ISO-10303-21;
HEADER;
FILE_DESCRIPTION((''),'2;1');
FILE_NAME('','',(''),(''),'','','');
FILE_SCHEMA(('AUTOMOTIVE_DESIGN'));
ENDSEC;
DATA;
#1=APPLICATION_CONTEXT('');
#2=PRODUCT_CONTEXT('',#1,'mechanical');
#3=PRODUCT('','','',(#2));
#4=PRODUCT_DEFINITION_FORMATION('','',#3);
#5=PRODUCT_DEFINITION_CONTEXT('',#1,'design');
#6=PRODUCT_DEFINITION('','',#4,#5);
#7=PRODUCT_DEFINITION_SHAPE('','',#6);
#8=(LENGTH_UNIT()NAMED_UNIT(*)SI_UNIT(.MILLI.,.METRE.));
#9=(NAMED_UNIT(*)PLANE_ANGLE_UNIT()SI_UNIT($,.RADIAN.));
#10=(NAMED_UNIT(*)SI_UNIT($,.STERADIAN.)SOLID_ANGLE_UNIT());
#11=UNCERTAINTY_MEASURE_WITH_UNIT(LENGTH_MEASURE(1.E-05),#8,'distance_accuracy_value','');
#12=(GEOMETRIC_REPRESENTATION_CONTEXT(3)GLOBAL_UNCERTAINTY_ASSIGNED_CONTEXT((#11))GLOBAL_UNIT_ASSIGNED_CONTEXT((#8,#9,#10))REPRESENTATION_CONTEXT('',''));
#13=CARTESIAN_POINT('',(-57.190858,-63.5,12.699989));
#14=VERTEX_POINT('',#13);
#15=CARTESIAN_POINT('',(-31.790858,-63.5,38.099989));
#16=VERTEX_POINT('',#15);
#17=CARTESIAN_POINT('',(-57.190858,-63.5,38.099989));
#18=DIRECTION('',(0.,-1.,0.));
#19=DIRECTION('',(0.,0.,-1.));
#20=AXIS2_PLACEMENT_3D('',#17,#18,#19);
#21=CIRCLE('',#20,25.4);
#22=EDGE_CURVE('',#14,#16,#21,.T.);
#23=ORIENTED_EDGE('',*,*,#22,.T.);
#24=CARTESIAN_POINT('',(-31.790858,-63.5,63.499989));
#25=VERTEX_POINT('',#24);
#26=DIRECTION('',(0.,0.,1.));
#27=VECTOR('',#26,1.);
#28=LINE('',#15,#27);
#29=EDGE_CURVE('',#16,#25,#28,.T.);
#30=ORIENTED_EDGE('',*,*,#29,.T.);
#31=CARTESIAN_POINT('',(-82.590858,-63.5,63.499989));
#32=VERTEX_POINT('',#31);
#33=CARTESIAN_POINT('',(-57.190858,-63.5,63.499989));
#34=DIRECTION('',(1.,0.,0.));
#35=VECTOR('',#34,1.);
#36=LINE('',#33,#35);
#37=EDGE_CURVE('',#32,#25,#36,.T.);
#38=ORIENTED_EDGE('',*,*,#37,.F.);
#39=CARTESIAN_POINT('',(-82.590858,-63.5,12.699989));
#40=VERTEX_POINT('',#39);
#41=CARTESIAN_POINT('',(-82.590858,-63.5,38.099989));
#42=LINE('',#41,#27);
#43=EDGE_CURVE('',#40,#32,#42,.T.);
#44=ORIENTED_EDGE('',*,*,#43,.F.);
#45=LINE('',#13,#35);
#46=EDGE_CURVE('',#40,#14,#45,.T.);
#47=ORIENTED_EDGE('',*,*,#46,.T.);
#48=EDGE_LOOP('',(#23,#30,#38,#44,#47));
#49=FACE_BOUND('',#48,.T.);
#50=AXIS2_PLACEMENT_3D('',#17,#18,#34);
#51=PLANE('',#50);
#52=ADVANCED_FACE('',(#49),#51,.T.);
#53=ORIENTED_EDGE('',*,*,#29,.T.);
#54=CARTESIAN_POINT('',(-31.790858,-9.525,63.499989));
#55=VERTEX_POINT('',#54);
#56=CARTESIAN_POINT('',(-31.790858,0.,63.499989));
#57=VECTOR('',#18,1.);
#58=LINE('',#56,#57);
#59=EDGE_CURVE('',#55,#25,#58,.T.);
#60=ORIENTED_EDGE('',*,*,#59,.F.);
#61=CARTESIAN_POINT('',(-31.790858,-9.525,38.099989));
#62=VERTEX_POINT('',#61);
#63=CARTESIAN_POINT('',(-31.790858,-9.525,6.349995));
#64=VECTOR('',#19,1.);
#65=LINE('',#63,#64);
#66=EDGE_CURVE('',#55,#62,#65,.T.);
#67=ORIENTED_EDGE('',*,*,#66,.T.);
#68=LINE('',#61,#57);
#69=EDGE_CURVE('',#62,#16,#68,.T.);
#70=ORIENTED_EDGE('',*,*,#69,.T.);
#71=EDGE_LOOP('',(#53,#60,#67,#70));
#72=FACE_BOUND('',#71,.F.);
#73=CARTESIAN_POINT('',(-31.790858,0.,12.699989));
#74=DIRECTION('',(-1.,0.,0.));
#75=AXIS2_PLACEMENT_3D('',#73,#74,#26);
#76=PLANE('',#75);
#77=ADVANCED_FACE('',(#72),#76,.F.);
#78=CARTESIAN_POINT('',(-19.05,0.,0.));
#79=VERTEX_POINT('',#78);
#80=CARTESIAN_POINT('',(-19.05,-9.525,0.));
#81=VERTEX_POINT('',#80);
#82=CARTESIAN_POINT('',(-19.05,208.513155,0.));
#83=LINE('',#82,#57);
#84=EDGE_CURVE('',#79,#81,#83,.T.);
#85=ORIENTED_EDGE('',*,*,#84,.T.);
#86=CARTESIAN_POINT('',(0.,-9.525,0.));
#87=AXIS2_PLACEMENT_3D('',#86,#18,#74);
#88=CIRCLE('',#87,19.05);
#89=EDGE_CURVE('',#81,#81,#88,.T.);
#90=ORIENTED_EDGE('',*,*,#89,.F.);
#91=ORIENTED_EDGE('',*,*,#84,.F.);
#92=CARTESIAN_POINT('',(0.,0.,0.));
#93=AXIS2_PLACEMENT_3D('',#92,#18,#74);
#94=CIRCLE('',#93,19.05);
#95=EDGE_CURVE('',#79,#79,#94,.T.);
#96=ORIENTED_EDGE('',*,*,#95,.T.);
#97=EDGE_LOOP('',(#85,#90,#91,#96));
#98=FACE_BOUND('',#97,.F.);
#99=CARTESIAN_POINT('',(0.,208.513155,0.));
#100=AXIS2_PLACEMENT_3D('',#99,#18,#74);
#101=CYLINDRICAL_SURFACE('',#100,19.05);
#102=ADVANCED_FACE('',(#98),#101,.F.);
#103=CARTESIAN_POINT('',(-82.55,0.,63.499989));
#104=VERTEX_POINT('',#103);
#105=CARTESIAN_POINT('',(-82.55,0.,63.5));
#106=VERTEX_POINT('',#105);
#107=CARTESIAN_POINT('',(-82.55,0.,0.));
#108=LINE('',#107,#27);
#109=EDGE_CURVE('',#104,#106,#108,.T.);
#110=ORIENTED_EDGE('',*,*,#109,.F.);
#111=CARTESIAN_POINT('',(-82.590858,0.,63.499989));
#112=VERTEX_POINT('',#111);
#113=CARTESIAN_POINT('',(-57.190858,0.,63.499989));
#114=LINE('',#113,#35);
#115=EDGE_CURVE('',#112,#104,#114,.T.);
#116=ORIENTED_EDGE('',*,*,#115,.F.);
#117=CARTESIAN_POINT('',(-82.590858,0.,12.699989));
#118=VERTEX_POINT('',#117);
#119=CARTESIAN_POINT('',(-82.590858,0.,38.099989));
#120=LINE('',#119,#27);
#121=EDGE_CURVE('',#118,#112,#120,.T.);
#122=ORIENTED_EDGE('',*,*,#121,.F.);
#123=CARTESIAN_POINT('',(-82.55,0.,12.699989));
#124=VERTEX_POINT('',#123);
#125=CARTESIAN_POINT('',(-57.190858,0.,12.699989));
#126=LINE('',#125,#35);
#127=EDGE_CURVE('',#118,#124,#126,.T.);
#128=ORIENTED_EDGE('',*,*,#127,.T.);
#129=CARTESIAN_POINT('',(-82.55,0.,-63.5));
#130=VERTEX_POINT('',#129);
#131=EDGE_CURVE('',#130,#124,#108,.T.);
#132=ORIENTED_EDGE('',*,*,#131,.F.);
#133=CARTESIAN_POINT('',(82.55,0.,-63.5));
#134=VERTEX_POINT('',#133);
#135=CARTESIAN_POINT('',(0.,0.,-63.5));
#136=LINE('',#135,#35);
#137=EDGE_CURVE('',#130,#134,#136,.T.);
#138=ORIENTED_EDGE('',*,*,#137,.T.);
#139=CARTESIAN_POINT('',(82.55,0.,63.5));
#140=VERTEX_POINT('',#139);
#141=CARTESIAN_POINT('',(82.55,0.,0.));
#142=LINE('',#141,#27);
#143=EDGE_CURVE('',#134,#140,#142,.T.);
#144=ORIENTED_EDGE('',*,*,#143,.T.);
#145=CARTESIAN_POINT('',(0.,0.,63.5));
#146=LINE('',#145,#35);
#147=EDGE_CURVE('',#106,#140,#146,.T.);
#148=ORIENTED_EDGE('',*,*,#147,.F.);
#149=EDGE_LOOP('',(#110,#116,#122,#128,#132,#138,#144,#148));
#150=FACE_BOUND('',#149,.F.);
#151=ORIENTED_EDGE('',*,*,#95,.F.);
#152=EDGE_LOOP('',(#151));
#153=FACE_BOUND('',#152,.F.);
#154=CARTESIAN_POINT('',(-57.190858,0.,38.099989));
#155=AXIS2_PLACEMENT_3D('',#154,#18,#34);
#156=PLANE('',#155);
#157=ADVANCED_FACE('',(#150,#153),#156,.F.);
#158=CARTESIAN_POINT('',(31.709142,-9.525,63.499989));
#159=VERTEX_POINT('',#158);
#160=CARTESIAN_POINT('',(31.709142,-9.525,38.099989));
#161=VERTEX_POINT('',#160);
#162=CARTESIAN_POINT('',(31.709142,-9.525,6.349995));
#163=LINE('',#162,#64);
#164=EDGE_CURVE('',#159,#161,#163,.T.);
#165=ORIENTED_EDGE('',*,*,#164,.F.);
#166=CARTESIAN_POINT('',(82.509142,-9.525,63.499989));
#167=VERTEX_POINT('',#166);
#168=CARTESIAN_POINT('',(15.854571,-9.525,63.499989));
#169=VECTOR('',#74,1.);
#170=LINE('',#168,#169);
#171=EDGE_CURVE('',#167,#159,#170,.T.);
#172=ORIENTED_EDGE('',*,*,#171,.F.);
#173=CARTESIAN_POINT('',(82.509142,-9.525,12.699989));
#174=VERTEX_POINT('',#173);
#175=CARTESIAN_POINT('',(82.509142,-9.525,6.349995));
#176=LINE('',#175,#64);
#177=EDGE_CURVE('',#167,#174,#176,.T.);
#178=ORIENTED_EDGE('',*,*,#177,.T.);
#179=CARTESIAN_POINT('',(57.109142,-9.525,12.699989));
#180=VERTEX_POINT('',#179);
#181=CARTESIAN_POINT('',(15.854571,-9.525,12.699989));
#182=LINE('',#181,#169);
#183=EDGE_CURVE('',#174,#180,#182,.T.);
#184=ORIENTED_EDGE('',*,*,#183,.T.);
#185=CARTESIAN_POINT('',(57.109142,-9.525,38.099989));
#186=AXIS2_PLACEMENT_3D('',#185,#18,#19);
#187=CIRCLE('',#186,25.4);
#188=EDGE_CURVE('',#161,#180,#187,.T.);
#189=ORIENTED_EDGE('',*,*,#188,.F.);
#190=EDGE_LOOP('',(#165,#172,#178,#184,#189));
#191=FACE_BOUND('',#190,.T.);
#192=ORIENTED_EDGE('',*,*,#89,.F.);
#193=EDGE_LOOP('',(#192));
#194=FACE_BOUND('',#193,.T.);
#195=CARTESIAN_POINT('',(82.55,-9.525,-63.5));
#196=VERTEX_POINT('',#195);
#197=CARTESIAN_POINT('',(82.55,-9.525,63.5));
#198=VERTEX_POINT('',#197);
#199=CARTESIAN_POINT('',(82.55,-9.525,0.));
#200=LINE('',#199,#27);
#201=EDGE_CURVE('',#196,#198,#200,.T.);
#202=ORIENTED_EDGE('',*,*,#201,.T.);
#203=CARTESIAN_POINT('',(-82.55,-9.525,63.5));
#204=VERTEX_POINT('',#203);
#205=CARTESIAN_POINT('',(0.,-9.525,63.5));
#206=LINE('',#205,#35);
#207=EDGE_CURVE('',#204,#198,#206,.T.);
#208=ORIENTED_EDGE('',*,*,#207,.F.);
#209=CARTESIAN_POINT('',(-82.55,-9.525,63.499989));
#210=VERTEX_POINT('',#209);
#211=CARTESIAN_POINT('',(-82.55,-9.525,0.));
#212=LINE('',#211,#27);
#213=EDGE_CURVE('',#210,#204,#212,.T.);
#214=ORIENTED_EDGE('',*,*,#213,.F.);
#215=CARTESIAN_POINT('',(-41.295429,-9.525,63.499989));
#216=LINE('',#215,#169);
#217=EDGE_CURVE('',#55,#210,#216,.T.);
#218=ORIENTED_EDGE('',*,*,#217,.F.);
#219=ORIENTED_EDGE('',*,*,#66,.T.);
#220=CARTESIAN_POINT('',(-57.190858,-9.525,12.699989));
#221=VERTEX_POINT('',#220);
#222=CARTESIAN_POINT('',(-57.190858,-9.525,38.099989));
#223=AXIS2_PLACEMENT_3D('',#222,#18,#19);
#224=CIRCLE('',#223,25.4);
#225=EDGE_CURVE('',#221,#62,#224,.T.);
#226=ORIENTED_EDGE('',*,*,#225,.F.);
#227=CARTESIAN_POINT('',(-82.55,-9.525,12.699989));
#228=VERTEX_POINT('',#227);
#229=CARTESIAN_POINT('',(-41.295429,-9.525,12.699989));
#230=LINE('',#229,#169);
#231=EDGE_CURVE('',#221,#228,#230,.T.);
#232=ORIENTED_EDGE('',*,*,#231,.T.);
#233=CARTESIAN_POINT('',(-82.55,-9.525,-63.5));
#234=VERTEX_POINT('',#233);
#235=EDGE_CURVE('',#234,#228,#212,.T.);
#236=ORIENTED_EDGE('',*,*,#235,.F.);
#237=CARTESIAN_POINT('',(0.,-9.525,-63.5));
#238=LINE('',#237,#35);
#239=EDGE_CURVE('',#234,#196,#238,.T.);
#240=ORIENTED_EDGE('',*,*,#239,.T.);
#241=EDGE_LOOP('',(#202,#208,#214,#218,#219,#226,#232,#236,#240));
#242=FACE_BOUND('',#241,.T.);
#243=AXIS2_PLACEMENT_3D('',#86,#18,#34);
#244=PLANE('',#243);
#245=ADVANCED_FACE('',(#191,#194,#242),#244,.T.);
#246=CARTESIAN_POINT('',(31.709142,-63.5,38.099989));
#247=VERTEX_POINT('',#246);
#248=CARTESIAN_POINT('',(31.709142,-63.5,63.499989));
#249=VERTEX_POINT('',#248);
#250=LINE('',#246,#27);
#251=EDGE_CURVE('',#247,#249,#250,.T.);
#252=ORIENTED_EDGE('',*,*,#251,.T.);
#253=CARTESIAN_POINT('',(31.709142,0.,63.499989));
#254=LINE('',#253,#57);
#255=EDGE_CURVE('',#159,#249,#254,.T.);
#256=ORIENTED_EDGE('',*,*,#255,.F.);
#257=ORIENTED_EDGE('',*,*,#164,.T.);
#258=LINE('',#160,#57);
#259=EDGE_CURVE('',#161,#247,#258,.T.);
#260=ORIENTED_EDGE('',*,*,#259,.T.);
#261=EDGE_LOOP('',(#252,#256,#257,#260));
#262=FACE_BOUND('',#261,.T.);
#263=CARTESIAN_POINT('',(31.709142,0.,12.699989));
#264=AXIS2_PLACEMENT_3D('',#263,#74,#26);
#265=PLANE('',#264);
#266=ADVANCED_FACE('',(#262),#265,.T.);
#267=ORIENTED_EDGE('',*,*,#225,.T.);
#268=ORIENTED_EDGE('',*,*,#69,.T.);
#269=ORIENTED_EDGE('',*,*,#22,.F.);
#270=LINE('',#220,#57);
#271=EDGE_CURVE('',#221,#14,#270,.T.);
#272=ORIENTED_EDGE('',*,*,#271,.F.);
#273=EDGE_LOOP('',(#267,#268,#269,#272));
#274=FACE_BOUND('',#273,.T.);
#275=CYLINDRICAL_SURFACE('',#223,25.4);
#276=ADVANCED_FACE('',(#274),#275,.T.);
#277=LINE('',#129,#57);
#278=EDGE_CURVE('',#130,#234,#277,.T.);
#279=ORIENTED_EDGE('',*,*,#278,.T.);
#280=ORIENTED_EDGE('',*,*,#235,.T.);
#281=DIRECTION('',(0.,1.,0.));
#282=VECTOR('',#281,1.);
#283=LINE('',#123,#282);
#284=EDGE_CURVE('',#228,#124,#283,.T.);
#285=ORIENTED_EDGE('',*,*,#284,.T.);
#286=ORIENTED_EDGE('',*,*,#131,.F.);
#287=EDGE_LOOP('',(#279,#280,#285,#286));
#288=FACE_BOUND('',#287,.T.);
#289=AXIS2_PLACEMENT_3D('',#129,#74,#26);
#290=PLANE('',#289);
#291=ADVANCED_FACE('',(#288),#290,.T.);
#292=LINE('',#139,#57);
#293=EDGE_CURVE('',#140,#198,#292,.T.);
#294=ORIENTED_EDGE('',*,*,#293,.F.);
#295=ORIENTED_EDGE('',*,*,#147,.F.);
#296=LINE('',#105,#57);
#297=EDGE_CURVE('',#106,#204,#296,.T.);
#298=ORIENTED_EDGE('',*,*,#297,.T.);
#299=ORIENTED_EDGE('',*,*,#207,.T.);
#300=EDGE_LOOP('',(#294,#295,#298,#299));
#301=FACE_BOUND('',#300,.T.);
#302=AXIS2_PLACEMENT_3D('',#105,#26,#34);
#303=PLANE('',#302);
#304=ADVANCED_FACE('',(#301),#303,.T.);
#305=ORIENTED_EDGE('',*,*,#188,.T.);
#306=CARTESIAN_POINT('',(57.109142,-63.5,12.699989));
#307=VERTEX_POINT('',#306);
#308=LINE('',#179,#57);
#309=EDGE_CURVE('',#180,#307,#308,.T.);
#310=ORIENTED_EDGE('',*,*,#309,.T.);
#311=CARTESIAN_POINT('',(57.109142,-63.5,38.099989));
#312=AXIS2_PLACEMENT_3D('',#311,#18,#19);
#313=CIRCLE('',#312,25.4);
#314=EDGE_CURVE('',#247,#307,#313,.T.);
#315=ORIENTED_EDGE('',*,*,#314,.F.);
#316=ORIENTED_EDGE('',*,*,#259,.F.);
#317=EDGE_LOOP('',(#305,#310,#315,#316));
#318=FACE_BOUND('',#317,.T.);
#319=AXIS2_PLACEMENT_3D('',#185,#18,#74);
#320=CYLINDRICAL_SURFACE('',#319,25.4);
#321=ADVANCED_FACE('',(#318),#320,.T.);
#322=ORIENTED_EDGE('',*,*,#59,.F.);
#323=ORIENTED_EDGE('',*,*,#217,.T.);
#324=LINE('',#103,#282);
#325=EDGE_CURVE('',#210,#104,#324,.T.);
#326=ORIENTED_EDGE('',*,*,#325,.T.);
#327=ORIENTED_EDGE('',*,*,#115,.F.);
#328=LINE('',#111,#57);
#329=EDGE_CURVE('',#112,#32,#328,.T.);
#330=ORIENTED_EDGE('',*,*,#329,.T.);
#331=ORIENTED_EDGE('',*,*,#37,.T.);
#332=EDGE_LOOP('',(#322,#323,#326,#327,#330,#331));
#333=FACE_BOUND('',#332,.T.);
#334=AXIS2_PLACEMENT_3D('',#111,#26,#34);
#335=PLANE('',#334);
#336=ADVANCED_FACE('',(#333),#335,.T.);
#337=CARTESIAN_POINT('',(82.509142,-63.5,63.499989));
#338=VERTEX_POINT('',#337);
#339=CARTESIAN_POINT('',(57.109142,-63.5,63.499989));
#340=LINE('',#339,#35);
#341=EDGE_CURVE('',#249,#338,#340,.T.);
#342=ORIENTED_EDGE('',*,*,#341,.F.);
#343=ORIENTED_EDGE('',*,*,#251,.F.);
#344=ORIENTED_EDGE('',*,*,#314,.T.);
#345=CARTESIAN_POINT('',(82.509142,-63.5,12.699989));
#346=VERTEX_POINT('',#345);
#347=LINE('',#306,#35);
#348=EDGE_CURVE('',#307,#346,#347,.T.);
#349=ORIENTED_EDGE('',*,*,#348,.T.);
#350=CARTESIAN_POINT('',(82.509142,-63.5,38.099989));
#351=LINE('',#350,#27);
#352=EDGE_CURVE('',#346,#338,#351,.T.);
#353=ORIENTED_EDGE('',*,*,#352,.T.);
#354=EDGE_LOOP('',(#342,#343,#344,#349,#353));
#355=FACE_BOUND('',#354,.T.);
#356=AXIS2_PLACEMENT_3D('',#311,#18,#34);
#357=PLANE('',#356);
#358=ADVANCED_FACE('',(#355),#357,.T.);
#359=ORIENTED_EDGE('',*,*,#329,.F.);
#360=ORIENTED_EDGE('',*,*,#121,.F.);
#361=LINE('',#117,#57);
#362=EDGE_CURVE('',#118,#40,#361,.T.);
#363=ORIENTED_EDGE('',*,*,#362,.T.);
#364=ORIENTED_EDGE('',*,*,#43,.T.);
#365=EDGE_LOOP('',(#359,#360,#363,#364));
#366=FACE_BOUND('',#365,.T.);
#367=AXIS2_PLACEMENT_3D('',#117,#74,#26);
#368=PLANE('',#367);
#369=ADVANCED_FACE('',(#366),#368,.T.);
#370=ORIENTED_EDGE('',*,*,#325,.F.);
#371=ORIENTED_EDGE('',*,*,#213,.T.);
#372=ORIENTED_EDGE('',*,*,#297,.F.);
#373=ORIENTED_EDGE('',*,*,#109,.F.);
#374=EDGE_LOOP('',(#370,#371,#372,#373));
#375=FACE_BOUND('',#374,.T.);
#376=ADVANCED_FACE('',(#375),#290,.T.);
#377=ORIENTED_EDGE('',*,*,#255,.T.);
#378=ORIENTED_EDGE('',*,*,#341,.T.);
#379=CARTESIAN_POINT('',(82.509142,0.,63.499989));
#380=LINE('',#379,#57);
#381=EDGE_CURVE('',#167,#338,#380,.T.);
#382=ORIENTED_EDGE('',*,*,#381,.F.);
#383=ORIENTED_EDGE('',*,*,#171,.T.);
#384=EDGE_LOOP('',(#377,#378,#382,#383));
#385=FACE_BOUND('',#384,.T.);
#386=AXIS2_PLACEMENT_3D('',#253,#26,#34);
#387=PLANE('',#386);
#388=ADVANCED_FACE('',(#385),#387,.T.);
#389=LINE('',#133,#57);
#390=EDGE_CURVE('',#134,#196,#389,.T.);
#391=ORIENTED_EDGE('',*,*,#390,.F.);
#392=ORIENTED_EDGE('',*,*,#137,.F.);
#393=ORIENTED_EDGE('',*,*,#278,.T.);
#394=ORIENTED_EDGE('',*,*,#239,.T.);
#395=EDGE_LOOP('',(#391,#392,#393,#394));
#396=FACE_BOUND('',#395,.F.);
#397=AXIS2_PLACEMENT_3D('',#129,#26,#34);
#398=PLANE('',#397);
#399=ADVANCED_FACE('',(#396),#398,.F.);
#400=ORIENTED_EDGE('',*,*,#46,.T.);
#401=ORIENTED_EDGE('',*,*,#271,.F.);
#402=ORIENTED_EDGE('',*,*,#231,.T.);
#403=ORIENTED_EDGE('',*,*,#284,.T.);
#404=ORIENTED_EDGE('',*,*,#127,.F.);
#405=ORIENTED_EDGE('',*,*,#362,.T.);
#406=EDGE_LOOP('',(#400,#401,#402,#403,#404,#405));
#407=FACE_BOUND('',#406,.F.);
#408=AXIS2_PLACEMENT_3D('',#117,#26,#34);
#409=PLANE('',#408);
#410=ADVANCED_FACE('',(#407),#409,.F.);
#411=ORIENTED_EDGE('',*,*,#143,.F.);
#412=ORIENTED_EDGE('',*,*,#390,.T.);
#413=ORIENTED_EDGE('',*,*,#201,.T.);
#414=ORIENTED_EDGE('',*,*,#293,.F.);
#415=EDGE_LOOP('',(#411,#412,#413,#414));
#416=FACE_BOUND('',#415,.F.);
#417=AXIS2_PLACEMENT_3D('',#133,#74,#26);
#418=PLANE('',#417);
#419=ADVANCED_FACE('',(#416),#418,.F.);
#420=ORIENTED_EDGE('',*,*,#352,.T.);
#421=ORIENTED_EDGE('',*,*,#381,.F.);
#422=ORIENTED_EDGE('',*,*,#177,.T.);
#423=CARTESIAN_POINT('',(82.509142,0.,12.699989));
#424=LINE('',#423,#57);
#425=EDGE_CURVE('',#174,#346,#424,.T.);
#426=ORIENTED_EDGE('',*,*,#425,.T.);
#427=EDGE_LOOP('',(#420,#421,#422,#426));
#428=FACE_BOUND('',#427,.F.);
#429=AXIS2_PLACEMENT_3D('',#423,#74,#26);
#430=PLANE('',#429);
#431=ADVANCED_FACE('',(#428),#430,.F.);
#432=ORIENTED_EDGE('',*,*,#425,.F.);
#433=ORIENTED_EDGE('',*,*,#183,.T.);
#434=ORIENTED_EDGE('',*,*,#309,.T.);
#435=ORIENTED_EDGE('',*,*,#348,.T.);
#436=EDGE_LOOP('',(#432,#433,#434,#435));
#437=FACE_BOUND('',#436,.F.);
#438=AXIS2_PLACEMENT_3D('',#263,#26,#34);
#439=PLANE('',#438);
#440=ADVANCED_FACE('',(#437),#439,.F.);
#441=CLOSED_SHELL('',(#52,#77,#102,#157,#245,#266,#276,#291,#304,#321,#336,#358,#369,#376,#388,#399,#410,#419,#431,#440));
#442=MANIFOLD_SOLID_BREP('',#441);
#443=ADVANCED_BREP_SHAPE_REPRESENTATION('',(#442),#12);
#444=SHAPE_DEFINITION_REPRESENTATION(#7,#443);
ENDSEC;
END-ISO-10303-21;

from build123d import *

# Parameters (mm, degrees)
F0_W     = 165.1
F0_H     = 127
F1_DEPTH = 9.525
F2_D     = 38.1
F3_W     = 50.8
F3_H     = 50.8
F4_DEPTH = 63.5
F5_R     = 25.4


with BuildPart() as f1:
    # F0 (on Front) → F1 (new body)
    with BuildSketch(Plane.XZ):
        Rectangle(F0_W, F0_H)
    extrude(amount=F1_DEPTH)

    # F2 (through all)
    with Locations(Plane(origin=(0, 0, 0), x_dir=(1, 0, 0), z_dir=(0, 1, 0))):
        with Locations((0, 0)):
            Hole(F2_D / 2)

    # F3 (on Front) → F4 (join)
    with BuildSketch(Plane.XZ):
        with Locations((-57.190858, 38.099989)):
            Rectangle(F3_W, F3_H)
        with Locations((57.109142, 38.099989)):
            Rectangle(F3_W, F3_H)
    extrude(amount=F4_DEPTH)

    # F5
    f5_edges = [f1.edges().sort_by_distance(p)[0] for p in [
        (-31.790858, -36.5125, 12.699989),
        (31.709142, -36.5125, 12.699989),
    ]]
    fillet(f5_edges, radius=F5_R)


solid = f1.part
